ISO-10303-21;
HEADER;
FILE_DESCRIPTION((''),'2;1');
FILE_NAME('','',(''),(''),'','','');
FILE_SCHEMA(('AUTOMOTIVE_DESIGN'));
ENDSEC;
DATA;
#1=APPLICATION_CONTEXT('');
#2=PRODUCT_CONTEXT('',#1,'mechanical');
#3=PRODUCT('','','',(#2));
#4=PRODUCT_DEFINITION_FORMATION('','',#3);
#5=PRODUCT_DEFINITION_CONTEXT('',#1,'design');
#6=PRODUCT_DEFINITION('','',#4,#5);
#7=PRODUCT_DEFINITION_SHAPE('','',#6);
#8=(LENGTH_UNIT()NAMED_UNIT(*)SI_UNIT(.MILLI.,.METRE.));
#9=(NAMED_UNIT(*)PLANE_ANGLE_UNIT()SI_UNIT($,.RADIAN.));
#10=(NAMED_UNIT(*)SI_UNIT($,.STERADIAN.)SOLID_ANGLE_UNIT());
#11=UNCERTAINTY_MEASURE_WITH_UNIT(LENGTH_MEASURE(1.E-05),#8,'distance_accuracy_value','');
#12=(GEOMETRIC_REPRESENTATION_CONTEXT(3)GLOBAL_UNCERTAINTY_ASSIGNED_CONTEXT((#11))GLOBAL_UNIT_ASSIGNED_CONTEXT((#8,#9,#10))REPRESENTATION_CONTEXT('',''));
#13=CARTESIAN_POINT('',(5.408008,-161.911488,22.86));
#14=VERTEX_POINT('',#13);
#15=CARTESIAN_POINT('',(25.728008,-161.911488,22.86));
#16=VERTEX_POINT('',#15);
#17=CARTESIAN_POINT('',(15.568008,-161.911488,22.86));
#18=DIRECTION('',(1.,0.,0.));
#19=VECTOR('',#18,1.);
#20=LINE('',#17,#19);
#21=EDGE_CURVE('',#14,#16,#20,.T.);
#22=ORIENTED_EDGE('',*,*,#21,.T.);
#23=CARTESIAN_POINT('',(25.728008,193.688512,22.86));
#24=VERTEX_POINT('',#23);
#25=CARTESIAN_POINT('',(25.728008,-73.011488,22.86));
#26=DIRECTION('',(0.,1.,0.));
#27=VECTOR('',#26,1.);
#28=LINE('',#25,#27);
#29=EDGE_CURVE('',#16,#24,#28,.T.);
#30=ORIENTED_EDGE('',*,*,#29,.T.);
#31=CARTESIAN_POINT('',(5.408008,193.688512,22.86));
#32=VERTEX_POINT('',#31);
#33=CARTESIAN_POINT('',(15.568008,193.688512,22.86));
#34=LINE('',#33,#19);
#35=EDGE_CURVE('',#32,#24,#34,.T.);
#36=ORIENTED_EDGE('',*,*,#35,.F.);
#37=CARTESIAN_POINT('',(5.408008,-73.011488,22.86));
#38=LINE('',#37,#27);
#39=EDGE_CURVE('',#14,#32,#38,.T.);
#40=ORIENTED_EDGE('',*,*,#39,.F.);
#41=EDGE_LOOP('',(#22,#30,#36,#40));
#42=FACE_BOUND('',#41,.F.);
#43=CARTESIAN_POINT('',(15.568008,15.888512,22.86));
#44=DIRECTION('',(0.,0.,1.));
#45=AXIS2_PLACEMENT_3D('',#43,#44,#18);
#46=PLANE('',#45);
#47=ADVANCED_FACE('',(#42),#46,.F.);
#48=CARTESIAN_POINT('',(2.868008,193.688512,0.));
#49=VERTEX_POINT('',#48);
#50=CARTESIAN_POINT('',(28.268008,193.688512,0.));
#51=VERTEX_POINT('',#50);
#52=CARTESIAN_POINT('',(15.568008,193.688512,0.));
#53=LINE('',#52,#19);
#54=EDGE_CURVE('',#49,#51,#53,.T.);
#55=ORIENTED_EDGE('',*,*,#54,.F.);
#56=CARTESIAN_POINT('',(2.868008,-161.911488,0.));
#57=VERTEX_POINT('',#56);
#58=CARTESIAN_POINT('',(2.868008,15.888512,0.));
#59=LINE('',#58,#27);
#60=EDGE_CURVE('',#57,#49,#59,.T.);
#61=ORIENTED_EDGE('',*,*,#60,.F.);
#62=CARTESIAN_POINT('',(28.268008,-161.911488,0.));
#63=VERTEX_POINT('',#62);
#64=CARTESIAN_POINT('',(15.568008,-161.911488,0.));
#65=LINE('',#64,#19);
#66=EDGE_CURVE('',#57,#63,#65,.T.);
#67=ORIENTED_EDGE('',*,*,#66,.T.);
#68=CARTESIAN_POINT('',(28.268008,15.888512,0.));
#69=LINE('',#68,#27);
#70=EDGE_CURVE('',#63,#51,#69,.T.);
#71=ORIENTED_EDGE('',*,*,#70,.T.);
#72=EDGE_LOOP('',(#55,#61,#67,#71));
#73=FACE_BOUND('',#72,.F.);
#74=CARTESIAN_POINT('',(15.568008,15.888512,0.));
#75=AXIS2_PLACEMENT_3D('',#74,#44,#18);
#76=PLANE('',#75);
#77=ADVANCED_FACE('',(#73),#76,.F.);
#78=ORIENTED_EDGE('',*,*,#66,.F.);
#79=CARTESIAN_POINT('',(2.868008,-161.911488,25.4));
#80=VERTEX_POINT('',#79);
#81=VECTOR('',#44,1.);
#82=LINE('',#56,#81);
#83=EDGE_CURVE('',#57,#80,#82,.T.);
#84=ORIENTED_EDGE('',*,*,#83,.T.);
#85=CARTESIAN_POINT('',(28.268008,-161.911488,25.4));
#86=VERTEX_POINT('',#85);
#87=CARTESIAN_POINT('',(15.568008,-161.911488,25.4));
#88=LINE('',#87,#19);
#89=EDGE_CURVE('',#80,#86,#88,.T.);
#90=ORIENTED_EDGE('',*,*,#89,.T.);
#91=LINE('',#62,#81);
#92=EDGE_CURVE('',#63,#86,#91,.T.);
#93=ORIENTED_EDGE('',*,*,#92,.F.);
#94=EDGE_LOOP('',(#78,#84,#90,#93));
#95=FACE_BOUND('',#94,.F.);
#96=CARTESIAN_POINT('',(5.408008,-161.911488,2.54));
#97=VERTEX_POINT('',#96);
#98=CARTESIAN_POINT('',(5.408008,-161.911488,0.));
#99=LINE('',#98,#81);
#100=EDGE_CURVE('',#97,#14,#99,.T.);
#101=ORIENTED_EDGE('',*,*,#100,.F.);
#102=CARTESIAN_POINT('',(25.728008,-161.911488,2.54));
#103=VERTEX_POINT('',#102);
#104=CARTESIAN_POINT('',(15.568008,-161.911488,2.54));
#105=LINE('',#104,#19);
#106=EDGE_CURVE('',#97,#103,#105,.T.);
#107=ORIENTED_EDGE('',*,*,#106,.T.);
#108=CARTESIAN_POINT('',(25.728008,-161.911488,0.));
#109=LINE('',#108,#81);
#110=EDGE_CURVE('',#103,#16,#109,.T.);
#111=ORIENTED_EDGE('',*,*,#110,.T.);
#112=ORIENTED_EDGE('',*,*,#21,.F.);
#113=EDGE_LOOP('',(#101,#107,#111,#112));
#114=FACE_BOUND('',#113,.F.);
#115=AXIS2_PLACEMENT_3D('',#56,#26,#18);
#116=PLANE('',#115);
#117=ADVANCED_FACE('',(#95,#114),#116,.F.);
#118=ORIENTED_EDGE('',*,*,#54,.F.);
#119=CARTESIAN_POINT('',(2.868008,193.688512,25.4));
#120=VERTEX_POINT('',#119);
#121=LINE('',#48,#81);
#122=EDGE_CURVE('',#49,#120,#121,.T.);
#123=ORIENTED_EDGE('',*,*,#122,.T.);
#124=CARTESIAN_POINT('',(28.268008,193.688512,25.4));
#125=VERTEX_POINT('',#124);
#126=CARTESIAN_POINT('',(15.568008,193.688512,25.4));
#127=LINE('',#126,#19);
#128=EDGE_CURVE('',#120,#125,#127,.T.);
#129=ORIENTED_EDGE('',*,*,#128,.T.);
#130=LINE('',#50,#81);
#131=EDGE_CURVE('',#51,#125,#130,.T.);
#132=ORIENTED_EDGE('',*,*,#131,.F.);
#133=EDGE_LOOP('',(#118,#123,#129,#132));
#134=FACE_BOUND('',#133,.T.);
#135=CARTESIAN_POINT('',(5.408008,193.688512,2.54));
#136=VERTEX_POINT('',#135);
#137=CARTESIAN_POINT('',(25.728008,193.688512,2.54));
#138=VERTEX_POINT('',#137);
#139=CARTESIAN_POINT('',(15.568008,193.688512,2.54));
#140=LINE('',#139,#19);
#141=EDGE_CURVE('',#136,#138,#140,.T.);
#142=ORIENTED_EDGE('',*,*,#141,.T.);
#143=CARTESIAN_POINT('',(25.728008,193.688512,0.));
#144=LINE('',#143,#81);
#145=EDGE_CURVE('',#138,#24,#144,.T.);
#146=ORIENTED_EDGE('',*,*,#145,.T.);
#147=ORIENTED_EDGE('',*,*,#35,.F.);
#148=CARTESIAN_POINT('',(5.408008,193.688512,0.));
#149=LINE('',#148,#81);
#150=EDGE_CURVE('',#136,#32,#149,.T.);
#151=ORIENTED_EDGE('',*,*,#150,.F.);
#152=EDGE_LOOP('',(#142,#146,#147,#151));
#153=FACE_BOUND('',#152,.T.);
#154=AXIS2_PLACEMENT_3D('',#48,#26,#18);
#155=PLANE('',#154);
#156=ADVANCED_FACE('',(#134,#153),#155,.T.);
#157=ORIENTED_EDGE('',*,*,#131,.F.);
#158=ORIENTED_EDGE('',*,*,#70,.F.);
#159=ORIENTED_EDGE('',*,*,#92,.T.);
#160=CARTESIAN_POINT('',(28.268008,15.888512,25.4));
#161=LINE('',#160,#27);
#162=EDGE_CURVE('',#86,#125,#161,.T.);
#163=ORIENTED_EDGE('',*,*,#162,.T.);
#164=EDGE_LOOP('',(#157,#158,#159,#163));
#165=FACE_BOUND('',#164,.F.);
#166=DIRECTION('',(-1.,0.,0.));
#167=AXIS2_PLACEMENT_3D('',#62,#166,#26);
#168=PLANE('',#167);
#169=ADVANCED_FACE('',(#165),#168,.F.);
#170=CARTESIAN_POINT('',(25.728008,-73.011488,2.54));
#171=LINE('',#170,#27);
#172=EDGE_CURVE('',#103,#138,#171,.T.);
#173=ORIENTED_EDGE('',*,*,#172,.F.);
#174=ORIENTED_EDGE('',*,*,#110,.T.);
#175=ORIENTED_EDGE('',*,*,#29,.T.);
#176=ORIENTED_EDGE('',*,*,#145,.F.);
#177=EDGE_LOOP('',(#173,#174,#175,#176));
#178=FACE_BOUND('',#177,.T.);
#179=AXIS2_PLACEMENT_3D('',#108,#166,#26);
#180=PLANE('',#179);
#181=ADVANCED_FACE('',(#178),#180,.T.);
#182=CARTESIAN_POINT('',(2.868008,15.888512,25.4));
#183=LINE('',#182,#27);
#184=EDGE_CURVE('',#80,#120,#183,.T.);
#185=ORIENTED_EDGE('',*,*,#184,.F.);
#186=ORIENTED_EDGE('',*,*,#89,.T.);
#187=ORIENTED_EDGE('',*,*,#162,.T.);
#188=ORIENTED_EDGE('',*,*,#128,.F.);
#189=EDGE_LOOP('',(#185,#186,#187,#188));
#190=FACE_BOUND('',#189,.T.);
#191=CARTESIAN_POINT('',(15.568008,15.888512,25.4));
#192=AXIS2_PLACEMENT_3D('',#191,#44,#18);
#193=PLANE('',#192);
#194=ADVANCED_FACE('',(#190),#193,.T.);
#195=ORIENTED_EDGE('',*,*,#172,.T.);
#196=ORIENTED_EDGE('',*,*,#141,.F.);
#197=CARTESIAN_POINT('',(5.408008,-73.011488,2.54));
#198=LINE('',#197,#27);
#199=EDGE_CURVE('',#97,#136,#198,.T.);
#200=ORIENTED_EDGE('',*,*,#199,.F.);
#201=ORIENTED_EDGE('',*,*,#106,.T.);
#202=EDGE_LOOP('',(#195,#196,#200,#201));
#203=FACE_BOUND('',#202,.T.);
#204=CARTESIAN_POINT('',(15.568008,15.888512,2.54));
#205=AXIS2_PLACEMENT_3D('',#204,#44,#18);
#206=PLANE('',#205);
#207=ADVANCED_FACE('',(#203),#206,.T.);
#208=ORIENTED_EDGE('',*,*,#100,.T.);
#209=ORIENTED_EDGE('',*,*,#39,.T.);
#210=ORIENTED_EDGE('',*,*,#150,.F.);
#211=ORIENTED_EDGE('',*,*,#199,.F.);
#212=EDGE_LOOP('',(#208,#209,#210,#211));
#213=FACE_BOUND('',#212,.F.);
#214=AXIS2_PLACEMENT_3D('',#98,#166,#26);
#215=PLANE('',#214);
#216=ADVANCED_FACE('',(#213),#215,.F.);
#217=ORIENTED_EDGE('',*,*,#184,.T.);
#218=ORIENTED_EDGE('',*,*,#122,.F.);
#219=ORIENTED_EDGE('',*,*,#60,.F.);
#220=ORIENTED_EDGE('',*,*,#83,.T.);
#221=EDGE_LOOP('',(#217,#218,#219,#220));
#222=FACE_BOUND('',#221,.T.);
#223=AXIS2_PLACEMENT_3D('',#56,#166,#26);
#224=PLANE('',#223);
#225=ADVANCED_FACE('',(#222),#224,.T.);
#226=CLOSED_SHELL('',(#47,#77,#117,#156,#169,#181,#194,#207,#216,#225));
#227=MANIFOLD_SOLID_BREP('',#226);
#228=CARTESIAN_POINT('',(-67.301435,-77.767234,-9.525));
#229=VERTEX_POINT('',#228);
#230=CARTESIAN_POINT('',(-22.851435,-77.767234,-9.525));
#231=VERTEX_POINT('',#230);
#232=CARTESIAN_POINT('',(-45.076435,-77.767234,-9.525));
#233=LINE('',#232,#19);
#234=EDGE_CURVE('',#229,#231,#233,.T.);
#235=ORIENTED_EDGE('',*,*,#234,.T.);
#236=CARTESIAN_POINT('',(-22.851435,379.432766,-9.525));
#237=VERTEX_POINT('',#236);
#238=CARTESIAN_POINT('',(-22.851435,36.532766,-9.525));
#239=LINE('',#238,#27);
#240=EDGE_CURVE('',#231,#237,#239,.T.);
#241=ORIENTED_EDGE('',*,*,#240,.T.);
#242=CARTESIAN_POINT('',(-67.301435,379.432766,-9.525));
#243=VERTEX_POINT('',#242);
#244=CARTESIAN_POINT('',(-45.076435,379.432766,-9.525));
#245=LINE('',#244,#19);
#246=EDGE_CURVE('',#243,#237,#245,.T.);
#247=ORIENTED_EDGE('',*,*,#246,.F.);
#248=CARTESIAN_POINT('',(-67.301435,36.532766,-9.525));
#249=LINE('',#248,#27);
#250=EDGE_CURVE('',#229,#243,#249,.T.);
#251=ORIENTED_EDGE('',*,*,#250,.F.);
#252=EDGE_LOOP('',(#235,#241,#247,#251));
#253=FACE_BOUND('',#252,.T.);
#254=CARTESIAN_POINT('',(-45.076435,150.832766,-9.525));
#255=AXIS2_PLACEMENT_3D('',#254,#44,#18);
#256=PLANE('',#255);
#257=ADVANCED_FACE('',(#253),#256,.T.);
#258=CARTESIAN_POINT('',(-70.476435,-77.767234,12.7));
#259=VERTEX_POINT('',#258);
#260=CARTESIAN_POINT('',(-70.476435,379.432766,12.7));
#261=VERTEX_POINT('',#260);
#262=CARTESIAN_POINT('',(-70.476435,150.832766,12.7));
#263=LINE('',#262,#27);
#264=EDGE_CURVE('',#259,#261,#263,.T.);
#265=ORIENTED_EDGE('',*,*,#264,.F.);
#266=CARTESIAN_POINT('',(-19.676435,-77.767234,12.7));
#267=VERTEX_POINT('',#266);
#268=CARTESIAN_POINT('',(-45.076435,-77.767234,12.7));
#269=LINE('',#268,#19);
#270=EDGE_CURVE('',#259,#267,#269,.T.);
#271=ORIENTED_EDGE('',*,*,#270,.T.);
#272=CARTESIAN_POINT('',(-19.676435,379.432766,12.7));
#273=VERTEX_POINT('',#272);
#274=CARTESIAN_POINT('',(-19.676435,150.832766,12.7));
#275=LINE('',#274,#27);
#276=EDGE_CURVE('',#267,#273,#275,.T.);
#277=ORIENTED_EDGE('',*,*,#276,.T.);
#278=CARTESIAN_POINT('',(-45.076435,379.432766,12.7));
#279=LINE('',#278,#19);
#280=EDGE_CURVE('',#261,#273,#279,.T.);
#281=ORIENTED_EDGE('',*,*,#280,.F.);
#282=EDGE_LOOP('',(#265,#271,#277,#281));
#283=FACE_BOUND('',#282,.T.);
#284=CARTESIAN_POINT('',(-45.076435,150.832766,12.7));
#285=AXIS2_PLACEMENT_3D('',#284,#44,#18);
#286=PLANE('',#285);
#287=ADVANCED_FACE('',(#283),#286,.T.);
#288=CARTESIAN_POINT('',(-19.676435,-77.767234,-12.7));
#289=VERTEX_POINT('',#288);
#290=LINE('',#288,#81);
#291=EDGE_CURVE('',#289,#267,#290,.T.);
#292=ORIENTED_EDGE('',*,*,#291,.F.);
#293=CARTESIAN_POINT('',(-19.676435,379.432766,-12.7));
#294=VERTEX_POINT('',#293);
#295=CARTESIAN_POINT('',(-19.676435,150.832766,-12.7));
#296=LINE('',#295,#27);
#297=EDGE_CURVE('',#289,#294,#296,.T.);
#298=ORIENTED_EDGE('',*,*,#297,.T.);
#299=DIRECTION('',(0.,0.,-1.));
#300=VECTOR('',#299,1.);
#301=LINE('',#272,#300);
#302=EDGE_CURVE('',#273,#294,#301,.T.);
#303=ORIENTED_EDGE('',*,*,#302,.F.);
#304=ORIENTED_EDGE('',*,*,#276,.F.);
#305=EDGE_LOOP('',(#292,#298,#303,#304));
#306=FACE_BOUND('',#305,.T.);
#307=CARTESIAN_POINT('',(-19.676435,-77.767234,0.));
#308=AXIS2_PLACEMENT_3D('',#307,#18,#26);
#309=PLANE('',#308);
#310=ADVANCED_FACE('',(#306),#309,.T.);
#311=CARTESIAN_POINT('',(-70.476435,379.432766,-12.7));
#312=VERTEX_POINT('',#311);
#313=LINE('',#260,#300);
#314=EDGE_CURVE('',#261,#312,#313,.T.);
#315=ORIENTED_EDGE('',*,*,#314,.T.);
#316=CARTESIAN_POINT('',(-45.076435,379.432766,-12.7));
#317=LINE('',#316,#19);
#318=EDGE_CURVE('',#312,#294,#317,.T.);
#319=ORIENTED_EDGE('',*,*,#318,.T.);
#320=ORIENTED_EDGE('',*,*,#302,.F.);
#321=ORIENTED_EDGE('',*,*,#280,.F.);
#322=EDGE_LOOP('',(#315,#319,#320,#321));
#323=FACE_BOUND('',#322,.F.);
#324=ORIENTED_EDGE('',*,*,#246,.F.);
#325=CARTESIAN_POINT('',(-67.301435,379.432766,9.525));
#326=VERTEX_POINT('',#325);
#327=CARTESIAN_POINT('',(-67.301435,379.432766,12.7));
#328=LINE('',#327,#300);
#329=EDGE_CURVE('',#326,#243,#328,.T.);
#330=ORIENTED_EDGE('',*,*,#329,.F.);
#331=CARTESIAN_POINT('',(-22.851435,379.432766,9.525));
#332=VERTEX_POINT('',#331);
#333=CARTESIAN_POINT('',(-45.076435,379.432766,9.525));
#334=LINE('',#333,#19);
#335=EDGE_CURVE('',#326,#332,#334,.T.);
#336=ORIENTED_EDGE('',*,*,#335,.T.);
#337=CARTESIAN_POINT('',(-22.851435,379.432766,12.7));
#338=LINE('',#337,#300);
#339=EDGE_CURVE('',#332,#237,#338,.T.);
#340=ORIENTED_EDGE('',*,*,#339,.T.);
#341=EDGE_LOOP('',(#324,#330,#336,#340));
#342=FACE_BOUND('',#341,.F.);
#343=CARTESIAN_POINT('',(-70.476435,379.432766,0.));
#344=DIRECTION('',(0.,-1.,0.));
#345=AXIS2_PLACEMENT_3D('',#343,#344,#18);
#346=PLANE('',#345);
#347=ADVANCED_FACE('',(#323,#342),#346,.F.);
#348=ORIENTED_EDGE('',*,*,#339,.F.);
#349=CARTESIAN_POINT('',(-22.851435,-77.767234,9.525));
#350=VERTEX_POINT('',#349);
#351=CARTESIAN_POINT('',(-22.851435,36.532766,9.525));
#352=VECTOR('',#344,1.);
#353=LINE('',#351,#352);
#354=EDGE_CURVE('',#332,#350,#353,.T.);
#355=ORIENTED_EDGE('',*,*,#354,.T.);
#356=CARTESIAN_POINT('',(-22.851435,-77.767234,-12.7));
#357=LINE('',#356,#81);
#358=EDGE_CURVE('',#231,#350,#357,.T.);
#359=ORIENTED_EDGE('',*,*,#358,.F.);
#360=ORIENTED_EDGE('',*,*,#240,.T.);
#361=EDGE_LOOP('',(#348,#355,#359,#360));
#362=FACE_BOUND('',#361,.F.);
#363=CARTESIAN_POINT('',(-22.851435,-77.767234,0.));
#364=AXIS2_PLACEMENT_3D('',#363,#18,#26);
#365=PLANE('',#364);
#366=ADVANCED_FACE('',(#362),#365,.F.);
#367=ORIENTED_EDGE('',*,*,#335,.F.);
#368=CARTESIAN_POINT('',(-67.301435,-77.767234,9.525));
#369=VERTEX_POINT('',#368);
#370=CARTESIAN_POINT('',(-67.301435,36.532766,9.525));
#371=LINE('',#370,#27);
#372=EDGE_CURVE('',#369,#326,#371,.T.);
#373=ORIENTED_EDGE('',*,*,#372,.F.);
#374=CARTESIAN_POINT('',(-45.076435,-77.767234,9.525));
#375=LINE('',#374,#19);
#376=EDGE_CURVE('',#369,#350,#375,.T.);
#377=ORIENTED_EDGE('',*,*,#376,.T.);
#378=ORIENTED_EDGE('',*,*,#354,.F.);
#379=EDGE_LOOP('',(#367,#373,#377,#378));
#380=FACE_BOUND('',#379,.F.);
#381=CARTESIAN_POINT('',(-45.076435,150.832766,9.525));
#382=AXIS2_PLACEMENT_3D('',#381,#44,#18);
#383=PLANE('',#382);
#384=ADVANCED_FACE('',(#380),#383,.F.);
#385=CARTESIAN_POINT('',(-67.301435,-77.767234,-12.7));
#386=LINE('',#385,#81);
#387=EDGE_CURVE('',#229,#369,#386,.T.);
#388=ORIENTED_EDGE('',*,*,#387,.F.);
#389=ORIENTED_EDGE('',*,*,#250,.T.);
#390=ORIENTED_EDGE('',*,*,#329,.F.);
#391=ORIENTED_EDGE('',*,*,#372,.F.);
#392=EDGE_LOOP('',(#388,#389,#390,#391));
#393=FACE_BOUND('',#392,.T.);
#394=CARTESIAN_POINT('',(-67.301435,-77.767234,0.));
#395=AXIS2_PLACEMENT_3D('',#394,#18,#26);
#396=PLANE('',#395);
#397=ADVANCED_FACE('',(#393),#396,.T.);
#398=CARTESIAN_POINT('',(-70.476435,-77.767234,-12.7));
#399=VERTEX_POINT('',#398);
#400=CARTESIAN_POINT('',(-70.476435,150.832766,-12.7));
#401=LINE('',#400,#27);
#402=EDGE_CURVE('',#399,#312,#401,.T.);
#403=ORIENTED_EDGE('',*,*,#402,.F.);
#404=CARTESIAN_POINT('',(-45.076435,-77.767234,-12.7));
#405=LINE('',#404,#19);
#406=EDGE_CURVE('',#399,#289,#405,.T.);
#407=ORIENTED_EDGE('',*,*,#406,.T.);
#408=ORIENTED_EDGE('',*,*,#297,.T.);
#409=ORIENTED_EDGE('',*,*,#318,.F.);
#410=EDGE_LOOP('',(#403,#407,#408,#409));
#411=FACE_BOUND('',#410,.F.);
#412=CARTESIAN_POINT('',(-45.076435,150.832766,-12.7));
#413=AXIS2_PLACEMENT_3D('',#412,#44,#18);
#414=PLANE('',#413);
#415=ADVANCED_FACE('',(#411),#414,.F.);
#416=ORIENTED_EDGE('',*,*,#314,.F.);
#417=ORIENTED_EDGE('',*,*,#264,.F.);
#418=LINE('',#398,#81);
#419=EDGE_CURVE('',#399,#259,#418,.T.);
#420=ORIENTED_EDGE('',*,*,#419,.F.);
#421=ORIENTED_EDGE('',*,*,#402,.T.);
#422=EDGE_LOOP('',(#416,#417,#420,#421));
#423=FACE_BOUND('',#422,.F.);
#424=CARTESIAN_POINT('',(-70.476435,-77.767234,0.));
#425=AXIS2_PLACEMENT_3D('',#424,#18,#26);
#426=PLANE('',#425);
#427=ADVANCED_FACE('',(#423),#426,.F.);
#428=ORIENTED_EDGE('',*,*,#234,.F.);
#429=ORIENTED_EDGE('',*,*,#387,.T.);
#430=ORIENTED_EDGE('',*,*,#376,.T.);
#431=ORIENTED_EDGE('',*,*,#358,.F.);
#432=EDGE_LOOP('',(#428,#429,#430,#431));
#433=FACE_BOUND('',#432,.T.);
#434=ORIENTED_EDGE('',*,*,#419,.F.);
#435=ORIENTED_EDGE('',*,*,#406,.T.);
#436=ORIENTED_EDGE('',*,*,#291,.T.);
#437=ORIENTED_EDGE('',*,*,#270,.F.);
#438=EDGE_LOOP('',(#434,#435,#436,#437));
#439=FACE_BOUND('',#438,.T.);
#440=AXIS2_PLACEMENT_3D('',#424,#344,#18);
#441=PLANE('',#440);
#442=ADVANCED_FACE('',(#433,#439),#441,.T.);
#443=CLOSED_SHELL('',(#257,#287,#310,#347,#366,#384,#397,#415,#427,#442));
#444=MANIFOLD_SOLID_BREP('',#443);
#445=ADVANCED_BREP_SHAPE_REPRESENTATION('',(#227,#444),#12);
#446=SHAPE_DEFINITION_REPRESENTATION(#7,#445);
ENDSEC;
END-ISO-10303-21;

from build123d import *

# Parameters (mm, degrees)
F0_W     = 50.8
F0_H     = 457.2
F1_DEPTH = 12.7
F2_T     = -3.175
F3_W     = 25.4
F3_H     = 355.6
F4_DEPTH = 25.4
F5_T     = -2.54


with BuildPart() as f1:
    # F0 (on Top) → F1 (new body, symmetric)
    with BuildSketch(Plane.XY):
        with Locations((-45.076435, 150.832766)):
            Rectangle(F0_W, F0_H)
    extrude(amount=F1_DEPTH, both=True)

    # F2
    f2_openings = [f1.faces().sort_by_distance(p)[0] for p in [
        (-45.076435, 379.432766, 0),
        (-45.076435, -77.767234, 0),
    ]]
    offset(amount=F2_T, openings=f2_openings)


with BuildPart() as f4:
    # F3 (on Top) → F4 (new body)
    with BuildSketch(Plane.XY):
        with Locations((15.568008, 15.888512)):
            Rectangle(F3_W, F3_H)
    extrude(amount=F4_DEPTH)

    # F5
    f5_openings = [f4.faces().sort_by_distance(p)[0] for p in [
        (15.568008, 193.688512, 12.7),
        (15.568008, -161.911488, 12.7),
    ]]
    offset(amount=F5_T, openings=f5_openings)


solid = Compound([f1.part, f4.part])
